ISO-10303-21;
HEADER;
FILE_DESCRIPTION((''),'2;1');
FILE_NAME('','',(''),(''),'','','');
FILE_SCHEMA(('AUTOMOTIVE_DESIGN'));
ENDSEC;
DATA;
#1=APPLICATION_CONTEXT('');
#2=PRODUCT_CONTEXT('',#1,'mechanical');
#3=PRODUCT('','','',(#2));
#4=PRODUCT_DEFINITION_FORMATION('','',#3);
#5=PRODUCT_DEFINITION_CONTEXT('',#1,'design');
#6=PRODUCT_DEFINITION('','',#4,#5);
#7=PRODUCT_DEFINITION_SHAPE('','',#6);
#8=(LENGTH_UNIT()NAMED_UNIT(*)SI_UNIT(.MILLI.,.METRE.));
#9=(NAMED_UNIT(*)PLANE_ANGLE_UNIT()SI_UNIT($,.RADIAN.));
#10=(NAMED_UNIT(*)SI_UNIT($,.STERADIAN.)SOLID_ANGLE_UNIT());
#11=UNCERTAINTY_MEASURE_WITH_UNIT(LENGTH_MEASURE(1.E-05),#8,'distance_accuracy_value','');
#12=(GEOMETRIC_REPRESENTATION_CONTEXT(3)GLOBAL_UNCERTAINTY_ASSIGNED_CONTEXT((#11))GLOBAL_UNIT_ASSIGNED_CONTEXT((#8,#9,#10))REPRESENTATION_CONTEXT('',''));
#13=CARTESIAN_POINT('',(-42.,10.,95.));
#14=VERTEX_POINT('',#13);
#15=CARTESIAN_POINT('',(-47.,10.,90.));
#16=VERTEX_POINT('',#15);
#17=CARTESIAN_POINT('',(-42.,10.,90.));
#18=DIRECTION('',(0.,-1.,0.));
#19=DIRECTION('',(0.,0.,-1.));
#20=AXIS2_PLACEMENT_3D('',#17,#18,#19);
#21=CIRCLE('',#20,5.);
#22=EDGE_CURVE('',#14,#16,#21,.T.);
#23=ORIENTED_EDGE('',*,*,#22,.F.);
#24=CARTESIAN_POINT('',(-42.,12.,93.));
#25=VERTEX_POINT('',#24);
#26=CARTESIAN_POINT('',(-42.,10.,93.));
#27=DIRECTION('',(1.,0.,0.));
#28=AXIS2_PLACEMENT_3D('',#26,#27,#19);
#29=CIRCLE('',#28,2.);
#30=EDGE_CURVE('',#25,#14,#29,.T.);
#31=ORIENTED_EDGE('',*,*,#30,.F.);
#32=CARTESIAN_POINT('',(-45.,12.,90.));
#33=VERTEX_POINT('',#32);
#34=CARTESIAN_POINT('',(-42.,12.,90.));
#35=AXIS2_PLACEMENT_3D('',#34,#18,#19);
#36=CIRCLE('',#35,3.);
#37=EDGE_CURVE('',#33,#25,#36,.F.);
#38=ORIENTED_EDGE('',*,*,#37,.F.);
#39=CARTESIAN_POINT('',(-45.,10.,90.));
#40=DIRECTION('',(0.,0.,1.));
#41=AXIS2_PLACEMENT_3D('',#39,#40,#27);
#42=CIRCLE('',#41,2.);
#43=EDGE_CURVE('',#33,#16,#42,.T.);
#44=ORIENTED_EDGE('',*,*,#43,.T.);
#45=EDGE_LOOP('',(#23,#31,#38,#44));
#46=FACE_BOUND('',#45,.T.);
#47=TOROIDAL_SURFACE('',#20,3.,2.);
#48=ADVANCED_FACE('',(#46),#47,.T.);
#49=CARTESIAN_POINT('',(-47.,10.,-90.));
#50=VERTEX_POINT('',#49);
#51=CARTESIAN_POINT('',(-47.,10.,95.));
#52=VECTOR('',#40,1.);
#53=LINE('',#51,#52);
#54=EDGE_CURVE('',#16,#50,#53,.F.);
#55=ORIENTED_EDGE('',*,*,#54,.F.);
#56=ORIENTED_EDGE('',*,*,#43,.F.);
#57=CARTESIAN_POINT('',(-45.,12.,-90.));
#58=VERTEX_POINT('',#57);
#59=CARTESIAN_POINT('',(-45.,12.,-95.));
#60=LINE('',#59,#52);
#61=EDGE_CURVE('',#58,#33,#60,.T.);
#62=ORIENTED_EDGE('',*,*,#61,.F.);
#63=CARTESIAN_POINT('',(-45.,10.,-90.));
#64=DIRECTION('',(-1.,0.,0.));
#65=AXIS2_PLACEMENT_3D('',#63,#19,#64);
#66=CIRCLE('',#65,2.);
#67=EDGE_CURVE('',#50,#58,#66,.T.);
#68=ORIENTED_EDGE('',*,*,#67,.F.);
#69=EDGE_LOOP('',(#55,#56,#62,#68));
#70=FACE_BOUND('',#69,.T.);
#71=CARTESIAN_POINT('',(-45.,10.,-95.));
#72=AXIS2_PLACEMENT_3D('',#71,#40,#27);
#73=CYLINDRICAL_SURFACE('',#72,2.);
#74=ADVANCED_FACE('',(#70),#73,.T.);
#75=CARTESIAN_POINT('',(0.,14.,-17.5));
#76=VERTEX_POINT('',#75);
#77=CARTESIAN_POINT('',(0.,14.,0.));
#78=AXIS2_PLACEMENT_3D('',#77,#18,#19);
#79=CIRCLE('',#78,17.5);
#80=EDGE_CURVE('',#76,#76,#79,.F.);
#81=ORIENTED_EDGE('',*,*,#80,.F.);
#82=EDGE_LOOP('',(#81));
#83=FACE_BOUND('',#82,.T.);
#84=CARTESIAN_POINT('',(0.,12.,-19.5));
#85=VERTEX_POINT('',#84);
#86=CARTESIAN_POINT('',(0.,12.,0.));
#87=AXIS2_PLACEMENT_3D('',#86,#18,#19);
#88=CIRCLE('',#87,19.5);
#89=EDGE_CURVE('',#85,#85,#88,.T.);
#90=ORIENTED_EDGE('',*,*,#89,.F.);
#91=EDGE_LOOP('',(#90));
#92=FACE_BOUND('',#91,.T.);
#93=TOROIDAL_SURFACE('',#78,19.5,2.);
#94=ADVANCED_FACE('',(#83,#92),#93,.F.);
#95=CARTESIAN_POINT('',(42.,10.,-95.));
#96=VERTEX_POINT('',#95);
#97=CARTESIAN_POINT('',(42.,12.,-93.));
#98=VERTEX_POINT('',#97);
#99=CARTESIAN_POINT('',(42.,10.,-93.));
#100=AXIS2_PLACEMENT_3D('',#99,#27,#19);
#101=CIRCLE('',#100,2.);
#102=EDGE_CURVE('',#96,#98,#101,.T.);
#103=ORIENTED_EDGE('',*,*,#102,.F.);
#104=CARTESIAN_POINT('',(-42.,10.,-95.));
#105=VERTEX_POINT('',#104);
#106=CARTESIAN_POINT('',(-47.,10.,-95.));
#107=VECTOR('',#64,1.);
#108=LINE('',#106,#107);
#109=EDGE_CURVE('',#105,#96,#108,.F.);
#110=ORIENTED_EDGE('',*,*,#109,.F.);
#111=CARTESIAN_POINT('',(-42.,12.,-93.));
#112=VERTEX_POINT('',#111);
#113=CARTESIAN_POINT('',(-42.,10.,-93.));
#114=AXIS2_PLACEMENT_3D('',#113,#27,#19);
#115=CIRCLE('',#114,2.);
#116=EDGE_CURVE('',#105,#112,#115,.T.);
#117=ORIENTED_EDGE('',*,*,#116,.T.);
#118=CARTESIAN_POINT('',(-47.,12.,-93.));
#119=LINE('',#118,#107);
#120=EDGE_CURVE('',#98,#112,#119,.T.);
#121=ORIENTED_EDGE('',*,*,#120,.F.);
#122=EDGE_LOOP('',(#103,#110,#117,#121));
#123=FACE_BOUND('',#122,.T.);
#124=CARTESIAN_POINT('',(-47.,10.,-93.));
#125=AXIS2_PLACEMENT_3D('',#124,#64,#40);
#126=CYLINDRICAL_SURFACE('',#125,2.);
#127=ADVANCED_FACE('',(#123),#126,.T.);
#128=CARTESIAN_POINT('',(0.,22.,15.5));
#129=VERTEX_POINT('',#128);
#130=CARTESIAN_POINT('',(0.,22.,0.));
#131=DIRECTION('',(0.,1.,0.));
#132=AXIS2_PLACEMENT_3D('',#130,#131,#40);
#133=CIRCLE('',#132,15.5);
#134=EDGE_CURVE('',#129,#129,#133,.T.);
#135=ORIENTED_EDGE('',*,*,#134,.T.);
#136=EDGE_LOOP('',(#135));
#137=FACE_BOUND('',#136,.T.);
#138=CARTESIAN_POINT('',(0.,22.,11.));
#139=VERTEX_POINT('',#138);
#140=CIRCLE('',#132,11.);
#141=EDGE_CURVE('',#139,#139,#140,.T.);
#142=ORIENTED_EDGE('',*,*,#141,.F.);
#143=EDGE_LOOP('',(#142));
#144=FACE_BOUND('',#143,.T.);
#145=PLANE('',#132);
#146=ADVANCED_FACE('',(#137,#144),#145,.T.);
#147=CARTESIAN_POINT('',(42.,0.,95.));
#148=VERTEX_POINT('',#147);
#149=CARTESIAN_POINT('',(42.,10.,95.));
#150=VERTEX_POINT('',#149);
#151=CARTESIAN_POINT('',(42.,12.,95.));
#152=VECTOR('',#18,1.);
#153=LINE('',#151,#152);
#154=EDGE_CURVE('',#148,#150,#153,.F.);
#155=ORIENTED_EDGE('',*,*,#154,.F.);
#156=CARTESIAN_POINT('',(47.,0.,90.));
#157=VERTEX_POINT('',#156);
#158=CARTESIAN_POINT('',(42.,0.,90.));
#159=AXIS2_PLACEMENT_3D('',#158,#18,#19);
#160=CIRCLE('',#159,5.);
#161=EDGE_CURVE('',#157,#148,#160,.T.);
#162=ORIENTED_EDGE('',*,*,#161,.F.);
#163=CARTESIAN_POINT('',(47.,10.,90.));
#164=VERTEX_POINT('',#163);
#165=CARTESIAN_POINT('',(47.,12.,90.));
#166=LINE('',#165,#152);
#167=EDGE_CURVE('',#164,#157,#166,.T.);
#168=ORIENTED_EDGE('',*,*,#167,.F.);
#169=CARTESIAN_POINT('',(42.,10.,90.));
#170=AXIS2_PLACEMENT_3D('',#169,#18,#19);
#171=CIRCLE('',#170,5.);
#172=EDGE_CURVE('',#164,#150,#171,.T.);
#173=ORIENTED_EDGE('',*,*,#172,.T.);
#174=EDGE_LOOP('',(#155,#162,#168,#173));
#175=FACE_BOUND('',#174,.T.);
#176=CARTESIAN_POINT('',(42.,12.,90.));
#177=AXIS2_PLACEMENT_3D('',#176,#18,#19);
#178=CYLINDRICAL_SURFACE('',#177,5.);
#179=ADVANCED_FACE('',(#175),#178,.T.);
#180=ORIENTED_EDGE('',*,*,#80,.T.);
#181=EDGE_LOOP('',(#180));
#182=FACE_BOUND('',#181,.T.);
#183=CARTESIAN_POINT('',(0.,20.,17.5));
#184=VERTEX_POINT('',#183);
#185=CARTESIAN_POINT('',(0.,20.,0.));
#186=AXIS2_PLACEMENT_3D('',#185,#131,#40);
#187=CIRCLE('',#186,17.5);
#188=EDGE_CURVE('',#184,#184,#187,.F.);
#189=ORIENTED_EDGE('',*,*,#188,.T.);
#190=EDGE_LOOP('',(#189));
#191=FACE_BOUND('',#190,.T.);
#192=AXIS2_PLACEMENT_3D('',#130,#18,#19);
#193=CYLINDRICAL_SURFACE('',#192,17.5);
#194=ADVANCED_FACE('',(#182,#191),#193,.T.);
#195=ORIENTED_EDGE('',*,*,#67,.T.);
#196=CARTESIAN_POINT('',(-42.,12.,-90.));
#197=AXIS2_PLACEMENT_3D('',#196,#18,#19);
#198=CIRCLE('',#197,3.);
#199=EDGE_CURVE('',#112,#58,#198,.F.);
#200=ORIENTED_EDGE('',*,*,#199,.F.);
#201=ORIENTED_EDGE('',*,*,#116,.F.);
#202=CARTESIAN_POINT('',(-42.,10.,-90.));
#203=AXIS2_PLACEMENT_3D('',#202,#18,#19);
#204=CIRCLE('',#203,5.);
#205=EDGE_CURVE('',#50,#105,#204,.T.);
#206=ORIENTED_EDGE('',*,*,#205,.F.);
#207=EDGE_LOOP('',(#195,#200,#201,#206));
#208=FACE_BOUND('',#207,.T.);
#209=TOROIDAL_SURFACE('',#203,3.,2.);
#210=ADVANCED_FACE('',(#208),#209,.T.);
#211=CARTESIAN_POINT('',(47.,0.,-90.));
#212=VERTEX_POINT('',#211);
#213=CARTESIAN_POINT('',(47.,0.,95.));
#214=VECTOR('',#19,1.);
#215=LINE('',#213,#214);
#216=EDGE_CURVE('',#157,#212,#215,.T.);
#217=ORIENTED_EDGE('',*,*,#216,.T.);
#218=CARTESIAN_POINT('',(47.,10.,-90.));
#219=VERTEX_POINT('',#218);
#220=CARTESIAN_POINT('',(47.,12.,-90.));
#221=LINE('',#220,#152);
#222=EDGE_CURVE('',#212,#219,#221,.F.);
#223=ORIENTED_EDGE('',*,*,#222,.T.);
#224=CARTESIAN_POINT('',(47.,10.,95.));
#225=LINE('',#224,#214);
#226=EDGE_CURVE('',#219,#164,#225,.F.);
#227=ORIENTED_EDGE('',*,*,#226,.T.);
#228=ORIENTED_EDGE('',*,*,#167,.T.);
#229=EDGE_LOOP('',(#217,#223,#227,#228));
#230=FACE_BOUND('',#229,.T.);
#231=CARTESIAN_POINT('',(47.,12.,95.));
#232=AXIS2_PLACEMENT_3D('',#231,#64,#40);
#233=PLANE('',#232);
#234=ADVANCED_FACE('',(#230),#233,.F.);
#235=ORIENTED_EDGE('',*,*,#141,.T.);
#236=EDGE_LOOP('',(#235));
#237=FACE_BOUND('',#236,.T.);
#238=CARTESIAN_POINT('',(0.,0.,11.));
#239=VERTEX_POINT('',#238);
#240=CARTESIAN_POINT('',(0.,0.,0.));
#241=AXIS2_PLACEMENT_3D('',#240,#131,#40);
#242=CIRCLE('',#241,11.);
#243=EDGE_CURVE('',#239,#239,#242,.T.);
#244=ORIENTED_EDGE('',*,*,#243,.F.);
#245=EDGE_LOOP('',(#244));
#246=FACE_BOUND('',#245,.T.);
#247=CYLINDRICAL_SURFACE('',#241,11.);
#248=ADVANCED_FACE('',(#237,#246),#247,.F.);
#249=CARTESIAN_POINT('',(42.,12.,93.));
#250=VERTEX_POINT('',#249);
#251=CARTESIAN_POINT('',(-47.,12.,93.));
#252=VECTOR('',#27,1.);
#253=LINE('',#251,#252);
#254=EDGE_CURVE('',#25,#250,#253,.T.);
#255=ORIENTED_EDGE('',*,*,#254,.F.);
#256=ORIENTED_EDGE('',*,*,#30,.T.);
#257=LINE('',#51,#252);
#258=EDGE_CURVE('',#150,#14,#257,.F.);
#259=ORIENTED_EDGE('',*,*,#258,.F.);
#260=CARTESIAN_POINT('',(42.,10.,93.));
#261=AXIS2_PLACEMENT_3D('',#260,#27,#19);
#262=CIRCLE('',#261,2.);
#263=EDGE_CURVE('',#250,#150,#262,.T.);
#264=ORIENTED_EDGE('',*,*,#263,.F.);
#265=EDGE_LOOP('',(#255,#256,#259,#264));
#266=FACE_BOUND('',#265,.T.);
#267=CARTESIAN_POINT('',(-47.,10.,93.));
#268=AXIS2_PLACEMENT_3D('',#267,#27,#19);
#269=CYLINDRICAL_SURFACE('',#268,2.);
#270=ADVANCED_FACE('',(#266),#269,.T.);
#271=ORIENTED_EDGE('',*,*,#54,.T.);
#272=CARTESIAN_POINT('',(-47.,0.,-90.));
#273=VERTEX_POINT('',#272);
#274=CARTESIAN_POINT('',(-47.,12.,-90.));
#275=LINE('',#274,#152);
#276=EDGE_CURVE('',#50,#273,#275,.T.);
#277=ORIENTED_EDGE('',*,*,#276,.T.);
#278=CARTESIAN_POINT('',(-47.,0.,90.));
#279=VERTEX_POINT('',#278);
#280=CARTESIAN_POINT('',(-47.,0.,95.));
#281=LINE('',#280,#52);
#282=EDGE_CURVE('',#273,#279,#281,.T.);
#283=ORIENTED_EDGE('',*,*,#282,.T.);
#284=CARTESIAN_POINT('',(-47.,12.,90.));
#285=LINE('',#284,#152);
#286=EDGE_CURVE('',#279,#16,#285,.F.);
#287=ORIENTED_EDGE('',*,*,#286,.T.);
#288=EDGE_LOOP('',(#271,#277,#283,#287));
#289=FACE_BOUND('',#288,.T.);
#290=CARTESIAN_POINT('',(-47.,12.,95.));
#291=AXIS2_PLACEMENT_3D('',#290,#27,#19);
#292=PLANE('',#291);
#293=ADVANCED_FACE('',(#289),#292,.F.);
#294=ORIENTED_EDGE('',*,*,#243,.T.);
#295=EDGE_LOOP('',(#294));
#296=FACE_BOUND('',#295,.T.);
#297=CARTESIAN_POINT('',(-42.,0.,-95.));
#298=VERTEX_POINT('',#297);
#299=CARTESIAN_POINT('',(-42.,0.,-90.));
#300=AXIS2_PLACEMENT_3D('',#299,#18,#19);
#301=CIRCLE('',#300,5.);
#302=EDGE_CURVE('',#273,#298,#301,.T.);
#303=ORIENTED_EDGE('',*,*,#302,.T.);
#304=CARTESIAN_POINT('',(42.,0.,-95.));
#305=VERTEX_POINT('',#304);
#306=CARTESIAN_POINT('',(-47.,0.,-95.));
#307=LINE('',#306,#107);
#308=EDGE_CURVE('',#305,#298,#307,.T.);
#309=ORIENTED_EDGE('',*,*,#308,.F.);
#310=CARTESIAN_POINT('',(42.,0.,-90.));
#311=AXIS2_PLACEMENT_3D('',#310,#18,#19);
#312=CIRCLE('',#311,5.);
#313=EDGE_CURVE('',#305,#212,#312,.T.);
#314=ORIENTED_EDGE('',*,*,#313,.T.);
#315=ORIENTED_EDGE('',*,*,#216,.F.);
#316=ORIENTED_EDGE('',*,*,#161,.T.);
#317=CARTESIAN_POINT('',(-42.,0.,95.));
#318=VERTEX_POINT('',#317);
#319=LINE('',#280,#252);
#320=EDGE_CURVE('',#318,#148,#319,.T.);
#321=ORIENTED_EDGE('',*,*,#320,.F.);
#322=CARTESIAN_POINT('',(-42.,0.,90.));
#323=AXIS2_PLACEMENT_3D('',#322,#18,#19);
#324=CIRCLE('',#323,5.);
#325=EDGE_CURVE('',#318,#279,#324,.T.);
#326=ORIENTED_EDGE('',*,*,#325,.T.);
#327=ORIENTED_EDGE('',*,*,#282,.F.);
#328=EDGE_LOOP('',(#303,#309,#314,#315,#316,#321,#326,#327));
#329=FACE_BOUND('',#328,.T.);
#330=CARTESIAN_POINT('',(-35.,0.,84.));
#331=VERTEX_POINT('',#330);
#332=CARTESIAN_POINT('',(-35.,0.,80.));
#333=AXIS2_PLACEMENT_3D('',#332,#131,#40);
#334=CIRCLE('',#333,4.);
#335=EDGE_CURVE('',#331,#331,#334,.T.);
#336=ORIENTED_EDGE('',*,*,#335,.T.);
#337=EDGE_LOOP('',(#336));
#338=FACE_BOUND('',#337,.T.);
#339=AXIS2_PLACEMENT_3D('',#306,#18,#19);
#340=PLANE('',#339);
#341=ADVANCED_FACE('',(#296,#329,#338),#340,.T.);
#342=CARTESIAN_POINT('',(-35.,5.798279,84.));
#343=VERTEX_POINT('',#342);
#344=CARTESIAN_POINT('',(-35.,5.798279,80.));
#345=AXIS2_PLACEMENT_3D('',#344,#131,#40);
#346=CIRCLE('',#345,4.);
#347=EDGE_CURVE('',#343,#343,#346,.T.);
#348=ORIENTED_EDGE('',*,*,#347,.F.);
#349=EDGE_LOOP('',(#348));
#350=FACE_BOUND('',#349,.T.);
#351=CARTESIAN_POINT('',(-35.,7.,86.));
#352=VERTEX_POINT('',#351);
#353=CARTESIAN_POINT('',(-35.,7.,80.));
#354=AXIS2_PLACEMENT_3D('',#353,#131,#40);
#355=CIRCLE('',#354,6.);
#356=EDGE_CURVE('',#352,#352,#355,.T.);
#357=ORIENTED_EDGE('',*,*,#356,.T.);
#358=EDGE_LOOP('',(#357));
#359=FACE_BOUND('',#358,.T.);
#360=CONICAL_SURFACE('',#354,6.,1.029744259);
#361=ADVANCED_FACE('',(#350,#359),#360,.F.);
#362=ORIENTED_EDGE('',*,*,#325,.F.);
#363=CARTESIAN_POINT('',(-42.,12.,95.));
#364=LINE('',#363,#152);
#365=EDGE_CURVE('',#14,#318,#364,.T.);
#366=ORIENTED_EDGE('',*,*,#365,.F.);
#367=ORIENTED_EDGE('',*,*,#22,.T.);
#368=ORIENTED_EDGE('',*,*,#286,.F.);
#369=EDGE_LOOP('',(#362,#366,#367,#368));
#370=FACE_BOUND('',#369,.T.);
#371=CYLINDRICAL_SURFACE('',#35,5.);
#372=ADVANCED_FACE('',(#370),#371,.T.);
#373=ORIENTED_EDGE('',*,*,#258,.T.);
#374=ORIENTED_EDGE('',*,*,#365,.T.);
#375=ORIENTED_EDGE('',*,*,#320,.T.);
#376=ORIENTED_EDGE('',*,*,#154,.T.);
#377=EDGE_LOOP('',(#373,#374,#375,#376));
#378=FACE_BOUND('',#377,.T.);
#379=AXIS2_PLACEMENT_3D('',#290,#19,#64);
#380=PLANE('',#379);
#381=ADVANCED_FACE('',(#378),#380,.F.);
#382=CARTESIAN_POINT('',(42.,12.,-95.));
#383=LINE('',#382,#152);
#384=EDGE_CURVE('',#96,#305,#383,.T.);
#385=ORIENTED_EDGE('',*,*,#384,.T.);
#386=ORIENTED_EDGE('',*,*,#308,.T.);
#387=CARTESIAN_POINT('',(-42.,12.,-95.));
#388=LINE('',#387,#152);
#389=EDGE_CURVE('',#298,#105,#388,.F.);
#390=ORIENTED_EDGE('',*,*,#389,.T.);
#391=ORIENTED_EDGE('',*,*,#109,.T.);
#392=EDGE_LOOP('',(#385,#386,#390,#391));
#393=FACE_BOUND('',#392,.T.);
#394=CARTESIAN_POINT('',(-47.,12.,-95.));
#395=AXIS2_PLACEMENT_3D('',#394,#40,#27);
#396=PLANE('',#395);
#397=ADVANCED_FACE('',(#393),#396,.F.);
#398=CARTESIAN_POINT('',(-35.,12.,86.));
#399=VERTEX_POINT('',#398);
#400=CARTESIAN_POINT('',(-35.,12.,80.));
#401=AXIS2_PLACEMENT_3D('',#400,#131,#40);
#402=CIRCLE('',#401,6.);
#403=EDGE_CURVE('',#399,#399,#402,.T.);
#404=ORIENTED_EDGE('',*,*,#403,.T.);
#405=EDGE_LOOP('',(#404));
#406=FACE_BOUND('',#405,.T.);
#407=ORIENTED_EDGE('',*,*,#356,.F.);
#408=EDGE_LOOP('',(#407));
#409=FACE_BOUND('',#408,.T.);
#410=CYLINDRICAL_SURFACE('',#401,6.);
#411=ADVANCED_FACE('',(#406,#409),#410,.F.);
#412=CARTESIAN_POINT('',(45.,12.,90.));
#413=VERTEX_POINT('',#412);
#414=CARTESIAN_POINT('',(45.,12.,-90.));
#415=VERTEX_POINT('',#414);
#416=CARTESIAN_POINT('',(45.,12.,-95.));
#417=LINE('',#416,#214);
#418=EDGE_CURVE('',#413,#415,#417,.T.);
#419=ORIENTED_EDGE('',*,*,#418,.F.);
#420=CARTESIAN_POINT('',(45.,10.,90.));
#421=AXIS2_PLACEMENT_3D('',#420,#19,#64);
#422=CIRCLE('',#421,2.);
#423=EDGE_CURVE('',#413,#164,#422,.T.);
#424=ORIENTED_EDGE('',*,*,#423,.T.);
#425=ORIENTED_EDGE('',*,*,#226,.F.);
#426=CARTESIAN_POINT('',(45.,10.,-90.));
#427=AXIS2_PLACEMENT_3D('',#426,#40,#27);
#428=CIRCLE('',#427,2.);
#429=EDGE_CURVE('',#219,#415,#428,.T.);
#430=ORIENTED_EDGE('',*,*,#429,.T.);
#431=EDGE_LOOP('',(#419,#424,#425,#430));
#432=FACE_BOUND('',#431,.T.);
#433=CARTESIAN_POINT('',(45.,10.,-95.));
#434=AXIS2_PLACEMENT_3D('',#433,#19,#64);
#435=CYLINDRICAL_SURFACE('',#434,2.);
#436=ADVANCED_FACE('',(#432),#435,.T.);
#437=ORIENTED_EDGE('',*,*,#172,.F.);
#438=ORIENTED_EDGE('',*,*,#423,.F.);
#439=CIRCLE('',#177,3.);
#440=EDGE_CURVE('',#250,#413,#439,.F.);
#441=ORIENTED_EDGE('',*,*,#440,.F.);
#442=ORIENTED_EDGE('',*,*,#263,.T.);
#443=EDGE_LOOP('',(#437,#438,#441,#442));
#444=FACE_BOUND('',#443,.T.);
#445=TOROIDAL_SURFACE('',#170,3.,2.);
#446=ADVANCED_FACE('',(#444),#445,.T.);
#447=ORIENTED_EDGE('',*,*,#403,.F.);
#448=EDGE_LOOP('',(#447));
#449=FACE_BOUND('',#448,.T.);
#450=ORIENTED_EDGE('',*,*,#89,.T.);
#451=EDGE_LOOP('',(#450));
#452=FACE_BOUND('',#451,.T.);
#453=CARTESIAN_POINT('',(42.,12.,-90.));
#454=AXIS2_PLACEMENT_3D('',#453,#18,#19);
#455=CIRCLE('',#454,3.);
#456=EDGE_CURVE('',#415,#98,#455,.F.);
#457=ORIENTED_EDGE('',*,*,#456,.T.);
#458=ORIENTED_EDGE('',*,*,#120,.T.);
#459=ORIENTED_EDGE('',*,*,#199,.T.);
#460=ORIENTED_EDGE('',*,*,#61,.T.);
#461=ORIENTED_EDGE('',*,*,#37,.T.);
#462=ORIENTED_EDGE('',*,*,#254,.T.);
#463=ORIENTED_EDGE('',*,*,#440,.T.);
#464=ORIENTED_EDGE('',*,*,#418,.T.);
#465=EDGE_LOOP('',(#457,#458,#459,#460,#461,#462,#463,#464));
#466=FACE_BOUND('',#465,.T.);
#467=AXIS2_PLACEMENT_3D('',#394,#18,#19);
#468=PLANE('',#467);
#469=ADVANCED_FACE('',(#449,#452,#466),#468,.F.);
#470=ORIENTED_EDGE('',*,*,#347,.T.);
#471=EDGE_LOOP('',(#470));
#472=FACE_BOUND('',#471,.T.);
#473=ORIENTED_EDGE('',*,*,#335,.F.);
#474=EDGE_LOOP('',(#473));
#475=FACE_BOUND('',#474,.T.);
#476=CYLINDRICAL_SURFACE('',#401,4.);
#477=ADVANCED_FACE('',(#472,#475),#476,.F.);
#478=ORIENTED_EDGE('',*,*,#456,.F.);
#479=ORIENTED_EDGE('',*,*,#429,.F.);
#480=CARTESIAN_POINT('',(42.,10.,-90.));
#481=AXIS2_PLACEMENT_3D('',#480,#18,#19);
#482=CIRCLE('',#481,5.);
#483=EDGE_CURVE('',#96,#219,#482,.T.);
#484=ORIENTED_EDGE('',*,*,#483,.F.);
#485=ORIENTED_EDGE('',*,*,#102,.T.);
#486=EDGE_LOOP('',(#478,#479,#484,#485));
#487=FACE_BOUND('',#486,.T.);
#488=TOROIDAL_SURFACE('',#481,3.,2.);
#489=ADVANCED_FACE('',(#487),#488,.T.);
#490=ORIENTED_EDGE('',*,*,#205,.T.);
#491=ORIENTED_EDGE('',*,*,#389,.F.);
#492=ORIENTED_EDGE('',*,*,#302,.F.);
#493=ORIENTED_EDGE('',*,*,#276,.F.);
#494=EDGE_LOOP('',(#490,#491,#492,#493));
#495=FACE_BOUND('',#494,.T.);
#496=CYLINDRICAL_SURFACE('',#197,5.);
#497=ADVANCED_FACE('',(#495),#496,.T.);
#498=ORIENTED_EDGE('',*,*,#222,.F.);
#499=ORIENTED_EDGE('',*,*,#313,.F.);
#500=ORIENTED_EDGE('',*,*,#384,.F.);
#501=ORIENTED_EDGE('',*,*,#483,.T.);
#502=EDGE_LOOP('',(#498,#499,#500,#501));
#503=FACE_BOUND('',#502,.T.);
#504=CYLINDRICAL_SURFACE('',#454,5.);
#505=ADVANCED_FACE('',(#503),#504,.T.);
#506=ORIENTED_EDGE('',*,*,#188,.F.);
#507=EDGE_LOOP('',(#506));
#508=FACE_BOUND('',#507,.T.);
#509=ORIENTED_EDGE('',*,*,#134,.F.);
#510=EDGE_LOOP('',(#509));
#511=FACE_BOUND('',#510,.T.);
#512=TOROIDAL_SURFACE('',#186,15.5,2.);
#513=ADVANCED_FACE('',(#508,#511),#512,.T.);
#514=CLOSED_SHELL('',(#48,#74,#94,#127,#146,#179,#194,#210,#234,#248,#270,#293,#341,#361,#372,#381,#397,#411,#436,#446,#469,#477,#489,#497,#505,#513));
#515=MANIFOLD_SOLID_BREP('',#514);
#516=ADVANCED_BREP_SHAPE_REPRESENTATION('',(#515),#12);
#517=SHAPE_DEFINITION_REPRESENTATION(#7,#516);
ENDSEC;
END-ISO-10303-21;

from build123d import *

# Parameters (mm, degrees)
SKETCH1_W         = 94
SKETCH1_H         = 190
PLATE_DEPTH       = 12
SKETCH2_R         = 17.5
BOSS_DEPTH        = 10
SKETCH3_R         = 11
CENTER_HOLE_DEPTH = 109.249711316
FILLET_R5_R       = 5
FILLET_R2_R       = 2


with BuildPart() as part:
    # Sketch1 → plate (new body)
    with BuildSketch(Plane(origin=(0, 0, 0), x_dir=(1, 0, 0), z_dir=(0, 1, 0))):
        Rectangle(SKETCH1_W, SKETCH1_H)
    extrude(amount=PLATE_DEPTH)

    # Sketch2 → boss (add)
    with BuildSketch(Plane(origin=(0, 12, 0), x_dir=(-1, 0, 0), z_dir=(0, 1, 0))):
        with Locations(Location((0, 0, 0), (0, 0, 270))):
            Circle(SKETCH2_R)
    extrude(amount=BOSS_DEPTH)

    # Sketch3 → center hole (cut, through all)
    with BuildSketch(Plane(origin=(0, 22, 0), x_dir=(-1, 0, 0), z_dir=(0, 1, 0))):
        with Locations(Location((0, 0, 0), (0, 0, 90))):
            Circle(SKETCH3_R)
    extrude(amount=-CENTER_HOLE_DEPTH, mode=Mode.SUBTRACT)

    # Sketch4 → pattern hole (revolve, cut)
    with BuildSketch(Plane(origin=(-35, 12, 80), x_dir=(0, 0, 1), z_dir=(1, 0, 0))):
        Polygon((0, 0), (0, 12), (4, 12), (4, 6.201721238), (6, 5), (6, 0), align=None)
    revolve(axis=Axis((-35, 18.130023899, 80), (0, -1, 0)), mode=Mode.SUBTRACT)

    # Fillet R5
    fillet_r5_edges = [part.edges().sort_by_distance(p)[0] for p in [
        (-47, 6, -95),
        (47, 6, -95),
        (47, 6, 95),
        (-47, 6, 95),
    ]]
    fillet(fillet_r5_edges, radius=FILLET_R5_R)

    # Fillet R2
    fillet_r2_edges = [part.edges().sort_by_distance(p)[0] for p in [
        (0, 12, 17.5),
        (0, 22, 17.5),
        (47, 12, 0),
        (0, 12, 95),
        (-47, 12, 0),
        (0, 12, -95),
        (45.535533906, 12, -93.535533906),
        (-45.535533906, 12, -93.535533906),
        (-45.535533906, 12, 93.535533906),
        (45.535533906, 12, 93.535533906),
    ]]
    fillet(fillet_r2_edges, radius=FILLET_R2_R)


solid = part.part
